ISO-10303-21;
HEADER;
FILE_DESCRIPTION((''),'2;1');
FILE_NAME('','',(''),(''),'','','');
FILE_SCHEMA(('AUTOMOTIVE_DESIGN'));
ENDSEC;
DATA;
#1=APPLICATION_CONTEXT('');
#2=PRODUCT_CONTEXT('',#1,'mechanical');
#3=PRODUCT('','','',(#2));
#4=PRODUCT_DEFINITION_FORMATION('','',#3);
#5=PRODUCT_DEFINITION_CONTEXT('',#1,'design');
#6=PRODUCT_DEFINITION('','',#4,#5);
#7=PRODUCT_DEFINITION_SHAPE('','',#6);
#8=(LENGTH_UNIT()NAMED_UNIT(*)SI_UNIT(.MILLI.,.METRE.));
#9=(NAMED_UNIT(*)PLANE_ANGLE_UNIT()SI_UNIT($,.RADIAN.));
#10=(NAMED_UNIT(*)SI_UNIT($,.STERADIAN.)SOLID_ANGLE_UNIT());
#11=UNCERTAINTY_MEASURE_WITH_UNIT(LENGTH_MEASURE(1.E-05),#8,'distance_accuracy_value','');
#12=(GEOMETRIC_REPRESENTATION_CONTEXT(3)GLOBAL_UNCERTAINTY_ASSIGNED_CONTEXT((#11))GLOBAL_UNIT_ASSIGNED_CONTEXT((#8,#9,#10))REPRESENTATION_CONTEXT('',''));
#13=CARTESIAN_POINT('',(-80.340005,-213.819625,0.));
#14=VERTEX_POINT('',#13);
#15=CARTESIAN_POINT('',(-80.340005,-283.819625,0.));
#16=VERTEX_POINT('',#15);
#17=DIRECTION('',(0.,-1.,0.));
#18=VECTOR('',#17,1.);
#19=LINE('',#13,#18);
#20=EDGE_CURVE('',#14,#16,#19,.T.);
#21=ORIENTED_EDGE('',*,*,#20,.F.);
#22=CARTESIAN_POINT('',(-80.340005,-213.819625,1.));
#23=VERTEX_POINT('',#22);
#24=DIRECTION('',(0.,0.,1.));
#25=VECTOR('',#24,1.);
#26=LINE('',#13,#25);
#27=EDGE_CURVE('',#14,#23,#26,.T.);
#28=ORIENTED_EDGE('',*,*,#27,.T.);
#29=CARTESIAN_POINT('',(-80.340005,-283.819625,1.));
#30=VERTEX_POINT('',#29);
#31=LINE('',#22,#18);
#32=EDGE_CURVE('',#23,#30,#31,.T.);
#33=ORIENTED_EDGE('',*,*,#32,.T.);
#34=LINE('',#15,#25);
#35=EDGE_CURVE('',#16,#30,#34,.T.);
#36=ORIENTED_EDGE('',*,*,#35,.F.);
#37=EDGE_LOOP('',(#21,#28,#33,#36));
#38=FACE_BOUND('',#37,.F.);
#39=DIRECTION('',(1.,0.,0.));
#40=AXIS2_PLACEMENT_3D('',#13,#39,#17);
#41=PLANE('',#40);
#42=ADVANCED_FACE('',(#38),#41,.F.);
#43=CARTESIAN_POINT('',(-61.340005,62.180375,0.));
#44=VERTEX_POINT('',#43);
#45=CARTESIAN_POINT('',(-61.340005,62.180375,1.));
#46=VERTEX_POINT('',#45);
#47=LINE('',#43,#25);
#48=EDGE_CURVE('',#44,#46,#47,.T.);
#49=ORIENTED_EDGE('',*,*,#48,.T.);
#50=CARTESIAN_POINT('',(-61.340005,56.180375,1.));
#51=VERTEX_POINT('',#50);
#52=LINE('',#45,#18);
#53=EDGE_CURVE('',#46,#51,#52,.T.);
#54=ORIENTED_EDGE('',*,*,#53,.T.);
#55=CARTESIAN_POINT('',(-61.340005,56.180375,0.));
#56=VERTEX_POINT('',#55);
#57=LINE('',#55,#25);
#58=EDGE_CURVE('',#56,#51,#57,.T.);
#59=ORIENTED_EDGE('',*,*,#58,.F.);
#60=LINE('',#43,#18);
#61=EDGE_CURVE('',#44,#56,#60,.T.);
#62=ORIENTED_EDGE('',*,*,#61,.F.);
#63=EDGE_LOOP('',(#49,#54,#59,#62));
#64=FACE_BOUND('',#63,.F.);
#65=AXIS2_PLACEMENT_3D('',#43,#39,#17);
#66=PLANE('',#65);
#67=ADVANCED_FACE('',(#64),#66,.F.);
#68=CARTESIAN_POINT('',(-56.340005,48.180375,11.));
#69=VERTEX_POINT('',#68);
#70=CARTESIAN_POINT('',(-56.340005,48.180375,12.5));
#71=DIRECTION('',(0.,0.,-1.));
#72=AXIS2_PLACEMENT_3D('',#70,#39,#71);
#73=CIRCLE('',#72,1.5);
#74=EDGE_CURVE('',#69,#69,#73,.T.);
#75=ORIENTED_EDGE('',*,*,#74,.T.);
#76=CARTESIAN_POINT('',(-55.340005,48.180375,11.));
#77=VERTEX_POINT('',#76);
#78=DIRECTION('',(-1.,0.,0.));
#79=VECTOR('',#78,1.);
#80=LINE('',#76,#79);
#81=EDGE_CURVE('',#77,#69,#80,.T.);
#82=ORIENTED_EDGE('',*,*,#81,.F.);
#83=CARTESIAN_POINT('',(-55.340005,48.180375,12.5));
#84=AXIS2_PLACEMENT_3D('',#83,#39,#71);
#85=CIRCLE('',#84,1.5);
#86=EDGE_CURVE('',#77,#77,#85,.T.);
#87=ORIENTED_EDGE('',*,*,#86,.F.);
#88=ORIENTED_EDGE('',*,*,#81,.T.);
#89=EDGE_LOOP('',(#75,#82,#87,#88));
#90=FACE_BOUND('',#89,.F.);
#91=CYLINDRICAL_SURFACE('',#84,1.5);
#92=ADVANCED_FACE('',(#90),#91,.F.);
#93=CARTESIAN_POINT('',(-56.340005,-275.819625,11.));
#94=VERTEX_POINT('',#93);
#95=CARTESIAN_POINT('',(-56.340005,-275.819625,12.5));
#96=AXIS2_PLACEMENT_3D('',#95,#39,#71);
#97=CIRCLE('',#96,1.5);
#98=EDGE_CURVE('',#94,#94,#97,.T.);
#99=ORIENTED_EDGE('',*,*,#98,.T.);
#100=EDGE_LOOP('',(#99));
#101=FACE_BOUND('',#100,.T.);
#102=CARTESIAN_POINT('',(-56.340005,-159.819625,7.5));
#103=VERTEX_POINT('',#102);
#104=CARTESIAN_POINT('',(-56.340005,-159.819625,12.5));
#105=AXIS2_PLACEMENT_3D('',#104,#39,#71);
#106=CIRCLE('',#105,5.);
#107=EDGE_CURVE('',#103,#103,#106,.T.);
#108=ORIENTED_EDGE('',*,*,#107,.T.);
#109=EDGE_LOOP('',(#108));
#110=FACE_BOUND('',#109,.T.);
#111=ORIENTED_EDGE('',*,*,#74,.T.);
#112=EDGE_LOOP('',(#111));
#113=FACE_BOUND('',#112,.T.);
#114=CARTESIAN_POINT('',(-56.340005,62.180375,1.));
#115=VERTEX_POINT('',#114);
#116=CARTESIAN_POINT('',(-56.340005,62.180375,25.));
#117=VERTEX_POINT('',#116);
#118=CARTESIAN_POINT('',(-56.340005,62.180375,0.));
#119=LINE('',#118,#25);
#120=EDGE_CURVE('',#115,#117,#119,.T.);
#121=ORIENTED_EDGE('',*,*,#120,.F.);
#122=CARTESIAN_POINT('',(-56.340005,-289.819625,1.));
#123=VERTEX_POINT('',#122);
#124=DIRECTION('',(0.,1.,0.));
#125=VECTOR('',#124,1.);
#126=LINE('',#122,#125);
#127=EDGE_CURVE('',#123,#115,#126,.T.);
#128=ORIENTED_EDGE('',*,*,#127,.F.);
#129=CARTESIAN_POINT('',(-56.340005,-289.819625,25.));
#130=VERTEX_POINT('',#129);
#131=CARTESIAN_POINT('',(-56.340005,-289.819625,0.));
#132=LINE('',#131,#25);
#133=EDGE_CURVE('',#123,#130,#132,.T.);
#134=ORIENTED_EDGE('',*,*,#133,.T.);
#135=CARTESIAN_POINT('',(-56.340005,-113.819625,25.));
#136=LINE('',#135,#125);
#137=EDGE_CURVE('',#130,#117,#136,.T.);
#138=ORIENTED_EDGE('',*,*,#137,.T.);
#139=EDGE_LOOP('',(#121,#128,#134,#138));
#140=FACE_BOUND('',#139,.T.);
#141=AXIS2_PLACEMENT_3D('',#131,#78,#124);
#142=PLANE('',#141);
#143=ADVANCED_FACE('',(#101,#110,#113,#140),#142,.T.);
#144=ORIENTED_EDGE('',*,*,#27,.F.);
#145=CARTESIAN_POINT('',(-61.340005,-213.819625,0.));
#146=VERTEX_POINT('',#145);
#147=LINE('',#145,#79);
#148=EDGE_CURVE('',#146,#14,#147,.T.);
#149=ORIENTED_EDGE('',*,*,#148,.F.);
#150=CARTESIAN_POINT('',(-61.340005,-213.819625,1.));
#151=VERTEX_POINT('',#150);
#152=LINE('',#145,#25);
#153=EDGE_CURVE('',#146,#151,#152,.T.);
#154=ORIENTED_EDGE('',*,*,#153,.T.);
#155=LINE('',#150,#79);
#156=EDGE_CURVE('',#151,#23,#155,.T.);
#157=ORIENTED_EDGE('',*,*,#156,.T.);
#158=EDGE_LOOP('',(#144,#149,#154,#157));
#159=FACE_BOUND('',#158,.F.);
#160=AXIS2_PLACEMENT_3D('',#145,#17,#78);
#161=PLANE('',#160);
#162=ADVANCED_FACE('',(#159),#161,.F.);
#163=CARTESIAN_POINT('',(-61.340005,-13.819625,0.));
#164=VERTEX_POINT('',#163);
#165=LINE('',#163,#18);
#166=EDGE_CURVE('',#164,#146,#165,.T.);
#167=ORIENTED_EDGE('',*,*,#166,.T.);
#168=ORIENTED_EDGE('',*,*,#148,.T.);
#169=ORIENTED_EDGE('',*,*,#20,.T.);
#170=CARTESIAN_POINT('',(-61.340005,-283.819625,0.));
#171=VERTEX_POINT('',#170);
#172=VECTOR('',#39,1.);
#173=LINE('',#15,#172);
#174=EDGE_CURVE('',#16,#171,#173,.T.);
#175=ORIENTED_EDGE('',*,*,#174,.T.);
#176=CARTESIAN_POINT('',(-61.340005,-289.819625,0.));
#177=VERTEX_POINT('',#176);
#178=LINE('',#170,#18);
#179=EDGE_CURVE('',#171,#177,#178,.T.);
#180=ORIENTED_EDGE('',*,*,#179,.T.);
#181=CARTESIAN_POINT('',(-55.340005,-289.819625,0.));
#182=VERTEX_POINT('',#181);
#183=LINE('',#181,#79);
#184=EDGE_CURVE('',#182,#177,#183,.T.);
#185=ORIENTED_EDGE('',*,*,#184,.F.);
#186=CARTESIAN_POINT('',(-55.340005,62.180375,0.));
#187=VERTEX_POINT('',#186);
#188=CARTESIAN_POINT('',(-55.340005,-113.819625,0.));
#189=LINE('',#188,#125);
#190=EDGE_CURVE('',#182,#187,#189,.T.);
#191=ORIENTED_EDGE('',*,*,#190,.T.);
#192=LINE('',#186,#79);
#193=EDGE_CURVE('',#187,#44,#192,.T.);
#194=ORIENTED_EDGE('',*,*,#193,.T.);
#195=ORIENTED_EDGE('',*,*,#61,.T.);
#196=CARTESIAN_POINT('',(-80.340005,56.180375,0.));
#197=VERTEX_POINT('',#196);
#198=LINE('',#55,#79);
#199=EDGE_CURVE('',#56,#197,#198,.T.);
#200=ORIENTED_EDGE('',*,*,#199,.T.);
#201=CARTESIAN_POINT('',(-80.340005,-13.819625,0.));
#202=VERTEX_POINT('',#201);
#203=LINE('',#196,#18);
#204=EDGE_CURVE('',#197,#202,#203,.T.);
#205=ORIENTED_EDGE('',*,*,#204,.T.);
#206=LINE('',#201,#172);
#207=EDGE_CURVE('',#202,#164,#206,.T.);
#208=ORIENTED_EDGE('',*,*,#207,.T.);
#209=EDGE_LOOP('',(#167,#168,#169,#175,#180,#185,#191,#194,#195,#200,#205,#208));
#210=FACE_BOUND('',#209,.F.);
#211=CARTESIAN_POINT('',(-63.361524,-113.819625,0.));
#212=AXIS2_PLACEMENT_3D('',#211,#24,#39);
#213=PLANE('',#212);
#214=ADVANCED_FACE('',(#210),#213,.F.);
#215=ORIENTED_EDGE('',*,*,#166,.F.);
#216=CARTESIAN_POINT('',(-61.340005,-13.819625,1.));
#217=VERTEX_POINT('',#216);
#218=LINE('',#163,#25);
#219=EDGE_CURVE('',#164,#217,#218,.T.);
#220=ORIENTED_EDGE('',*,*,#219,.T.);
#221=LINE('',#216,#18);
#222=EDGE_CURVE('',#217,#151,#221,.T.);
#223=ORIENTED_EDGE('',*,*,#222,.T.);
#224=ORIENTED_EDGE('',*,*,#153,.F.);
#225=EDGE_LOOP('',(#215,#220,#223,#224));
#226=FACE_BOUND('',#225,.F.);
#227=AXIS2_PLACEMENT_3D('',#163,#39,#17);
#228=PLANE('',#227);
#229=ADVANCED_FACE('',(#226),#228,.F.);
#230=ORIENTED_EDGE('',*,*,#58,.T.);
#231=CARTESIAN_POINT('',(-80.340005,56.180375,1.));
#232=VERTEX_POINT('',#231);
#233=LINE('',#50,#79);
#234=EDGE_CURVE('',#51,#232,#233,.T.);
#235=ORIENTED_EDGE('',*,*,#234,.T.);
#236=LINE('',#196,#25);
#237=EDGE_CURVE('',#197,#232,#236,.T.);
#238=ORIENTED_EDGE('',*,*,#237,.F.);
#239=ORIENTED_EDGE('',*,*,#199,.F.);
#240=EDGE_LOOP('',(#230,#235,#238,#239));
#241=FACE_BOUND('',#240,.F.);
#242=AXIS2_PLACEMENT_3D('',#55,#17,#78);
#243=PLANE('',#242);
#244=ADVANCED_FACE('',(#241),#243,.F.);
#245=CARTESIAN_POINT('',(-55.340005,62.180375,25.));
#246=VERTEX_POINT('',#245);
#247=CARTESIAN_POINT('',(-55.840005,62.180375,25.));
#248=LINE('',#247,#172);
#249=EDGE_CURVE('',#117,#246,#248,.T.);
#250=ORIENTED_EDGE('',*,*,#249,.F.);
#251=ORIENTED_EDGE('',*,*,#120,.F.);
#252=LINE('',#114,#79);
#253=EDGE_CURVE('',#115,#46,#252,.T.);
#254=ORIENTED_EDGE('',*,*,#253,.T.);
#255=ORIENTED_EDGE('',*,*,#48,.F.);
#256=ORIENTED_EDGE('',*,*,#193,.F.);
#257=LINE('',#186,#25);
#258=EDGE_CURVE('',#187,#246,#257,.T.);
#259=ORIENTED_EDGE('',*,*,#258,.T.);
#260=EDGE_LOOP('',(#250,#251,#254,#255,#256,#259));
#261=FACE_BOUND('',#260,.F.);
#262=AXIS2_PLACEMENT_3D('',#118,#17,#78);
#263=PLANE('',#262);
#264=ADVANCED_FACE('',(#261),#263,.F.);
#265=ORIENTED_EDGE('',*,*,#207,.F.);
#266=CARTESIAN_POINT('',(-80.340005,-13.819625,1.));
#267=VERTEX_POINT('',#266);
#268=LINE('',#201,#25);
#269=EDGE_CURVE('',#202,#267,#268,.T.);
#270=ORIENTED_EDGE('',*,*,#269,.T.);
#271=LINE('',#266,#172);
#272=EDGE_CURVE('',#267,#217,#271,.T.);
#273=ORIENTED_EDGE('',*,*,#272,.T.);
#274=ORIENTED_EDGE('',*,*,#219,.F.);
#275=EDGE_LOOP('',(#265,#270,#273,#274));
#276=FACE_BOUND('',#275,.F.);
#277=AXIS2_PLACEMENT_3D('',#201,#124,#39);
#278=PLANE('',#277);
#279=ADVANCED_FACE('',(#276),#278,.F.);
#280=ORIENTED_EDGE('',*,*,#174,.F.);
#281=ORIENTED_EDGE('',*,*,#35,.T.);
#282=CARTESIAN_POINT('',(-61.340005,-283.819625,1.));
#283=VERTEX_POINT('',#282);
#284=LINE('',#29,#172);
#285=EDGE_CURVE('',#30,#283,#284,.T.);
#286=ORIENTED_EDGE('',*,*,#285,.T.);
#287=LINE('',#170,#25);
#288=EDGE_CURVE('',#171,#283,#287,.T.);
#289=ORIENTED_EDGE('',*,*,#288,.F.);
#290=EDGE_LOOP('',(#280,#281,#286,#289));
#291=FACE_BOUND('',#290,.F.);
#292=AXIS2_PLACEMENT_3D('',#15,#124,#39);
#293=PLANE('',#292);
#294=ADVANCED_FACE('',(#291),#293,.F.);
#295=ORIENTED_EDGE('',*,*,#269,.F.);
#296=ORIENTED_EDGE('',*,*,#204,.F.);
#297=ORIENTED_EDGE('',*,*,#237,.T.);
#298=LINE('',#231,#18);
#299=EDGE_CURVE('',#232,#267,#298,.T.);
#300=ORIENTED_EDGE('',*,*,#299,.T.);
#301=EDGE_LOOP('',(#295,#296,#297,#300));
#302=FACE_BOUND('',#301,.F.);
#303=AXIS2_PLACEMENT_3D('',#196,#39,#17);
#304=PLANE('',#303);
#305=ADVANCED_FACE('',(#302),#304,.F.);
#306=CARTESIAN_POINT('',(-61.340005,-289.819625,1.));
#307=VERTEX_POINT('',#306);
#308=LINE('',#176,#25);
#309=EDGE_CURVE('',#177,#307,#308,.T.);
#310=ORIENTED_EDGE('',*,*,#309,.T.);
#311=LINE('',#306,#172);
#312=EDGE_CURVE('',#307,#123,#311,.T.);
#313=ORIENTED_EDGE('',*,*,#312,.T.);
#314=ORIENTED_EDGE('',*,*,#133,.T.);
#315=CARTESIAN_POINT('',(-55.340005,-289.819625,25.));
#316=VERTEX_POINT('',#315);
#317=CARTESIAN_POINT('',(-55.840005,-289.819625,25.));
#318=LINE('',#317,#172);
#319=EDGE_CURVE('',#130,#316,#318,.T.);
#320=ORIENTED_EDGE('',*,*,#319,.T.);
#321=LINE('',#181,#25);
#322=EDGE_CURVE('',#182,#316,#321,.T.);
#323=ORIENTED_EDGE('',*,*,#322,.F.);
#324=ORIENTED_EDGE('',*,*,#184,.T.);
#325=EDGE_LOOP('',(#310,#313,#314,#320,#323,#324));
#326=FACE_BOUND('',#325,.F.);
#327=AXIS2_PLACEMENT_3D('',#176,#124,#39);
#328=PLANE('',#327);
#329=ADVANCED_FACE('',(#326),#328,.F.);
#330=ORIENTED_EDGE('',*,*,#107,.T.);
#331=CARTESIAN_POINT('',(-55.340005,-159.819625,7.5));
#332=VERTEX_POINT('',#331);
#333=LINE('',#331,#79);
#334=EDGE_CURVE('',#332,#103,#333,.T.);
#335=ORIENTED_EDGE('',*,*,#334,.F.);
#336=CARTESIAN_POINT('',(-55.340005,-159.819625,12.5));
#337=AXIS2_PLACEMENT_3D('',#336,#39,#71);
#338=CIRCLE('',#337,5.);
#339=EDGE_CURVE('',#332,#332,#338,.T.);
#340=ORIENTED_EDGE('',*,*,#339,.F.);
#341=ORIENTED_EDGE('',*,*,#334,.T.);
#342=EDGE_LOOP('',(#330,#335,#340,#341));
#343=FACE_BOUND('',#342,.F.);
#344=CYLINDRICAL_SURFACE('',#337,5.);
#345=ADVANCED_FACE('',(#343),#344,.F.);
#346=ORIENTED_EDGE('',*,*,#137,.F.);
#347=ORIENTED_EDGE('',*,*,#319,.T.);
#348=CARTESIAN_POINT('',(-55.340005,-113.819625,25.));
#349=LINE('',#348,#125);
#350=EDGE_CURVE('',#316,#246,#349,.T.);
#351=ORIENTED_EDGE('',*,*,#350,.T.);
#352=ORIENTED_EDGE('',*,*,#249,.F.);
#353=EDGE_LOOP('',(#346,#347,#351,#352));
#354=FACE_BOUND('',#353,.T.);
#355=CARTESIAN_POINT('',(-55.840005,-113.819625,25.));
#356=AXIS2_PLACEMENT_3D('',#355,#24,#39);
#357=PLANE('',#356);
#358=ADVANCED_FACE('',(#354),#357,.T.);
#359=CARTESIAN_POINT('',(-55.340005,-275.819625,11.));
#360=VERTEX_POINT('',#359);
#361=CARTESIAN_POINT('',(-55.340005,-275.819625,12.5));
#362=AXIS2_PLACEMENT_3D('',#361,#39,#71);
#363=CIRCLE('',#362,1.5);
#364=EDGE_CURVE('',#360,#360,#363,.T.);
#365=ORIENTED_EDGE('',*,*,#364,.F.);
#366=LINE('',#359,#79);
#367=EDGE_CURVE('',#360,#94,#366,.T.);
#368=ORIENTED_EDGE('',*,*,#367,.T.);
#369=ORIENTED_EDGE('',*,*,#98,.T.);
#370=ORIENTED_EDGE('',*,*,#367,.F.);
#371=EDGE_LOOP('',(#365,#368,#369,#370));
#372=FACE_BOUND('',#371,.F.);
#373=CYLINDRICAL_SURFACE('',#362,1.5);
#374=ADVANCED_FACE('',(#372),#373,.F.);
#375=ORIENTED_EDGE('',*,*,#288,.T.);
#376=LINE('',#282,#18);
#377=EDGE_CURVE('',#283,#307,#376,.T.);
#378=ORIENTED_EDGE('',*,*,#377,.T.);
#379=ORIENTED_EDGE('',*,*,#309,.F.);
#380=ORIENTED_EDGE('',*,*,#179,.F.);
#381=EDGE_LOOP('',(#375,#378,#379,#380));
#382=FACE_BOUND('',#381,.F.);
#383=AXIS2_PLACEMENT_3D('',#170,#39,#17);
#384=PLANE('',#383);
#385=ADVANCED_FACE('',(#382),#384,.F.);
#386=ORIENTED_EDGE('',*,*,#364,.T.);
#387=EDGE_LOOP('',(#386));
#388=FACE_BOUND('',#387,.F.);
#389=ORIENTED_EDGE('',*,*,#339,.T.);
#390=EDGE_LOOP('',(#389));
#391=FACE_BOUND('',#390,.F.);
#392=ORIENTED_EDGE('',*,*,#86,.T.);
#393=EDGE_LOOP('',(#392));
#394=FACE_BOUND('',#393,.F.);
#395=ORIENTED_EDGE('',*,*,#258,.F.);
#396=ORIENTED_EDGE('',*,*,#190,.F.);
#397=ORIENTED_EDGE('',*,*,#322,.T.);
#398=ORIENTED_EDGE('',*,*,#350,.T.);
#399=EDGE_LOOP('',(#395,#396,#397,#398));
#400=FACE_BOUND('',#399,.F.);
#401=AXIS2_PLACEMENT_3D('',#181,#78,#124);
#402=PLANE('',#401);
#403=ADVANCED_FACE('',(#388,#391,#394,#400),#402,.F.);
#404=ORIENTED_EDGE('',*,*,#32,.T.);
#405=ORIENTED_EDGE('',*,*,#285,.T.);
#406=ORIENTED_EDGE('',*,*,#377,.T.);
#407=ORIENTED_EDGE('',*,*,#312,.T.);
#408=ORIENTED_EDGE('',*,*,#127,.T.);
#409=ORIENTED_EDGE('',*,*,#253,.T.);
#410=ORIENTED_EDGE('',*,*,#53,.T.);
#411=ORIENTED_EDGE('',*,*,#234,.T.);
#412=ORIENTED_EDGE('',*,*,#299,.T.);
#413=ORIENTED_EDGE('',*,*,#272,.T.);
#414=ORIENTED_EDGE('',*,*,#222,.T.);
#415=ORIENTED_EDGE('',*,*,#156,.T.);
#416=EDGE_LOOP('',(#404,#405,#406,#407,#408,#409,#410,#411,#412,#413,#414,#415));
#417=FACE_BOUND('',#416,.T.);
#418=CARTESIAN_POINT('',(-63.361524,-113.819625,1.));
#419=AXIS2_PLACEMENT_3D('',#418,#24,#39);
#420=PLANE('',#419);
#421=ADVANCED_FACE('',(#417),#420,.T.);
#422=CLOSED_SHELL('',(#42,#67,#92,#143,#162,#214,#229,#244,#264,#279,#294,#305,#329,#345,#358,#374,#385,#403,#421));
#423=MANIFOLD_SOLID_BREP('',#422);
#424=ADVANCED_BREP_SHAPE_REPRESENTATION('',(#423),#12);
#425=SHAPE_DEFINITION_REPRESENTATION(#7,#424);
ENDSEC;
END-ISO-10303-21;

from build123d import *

# Parameters (mm, degrees)
CROQUIS2_W              = 1
CROQUIS2_H              = 352
SALIENTE_EXTRUIR2_DEPTH = 25
CROQUIS5_R              = 1.5
CROQUIS5_R_2            = 5
CORTAR_EXTRUIR2_DEPTH   = 1
SALIENTE_EXTRUIR3_DEPTH = 1


with BuildPart() as part:
    # Croquis2 → Saliente-Extruir2 (new body)
    with BuildSketch(Plane.XY):
        with Locations((-55.840004841, -113.819624774)):
            Rectangle(CROQUIS2_W, CROQUIS2_H)
    extrude(amount=SALIENTE_EXTRUIR2_DEPTH)

    # Croquis5 → Cortar-Extruir2 (cut)
    with BuildSketch(Plane(origin=(-55.340004841, 0, 0), x_dir=(0, 0, -1), z_dir=(1, 0, 0))):
        with Locations((-12.5, 48.180375226)):
            Circle(CROQUIS5_R)
        with Locations((-12.5, -275.819624774)):
            Circle(CROQUIS5_R)
        with Locations((-12.5, -159.819624774)):
            Circle(CROQUIS5_R_2)
    extrude(amount=-CORTAR_EXTRUIR2_DEPTH, mode=Mode.SUBTRACT)

    # Croquis1 → Saliente-Extruir3 (add)
    with BuildSketch(Plane.XY):
        Polygon((-56.340004841, 62.180375226), (-61.340004841, 62.180375226), (-61.340004841, 56.180375226), (-80.340004841, 56.180375226), (-80.340004841, -13.819624774), (-61.340004841, -13.819624774), (-61.340004841, -213.819624774), (-80.340004841, -213.819624774), (-80.340004841, -283.819624774), (-61.340004841, -283.819624774), (-61.340004841, -289.819624774), (-56.340004841, -289.819624774), align=None)
    extrude(amount=SALIENTE_EXTRUIR3_DEPTH)


solid = part.part
